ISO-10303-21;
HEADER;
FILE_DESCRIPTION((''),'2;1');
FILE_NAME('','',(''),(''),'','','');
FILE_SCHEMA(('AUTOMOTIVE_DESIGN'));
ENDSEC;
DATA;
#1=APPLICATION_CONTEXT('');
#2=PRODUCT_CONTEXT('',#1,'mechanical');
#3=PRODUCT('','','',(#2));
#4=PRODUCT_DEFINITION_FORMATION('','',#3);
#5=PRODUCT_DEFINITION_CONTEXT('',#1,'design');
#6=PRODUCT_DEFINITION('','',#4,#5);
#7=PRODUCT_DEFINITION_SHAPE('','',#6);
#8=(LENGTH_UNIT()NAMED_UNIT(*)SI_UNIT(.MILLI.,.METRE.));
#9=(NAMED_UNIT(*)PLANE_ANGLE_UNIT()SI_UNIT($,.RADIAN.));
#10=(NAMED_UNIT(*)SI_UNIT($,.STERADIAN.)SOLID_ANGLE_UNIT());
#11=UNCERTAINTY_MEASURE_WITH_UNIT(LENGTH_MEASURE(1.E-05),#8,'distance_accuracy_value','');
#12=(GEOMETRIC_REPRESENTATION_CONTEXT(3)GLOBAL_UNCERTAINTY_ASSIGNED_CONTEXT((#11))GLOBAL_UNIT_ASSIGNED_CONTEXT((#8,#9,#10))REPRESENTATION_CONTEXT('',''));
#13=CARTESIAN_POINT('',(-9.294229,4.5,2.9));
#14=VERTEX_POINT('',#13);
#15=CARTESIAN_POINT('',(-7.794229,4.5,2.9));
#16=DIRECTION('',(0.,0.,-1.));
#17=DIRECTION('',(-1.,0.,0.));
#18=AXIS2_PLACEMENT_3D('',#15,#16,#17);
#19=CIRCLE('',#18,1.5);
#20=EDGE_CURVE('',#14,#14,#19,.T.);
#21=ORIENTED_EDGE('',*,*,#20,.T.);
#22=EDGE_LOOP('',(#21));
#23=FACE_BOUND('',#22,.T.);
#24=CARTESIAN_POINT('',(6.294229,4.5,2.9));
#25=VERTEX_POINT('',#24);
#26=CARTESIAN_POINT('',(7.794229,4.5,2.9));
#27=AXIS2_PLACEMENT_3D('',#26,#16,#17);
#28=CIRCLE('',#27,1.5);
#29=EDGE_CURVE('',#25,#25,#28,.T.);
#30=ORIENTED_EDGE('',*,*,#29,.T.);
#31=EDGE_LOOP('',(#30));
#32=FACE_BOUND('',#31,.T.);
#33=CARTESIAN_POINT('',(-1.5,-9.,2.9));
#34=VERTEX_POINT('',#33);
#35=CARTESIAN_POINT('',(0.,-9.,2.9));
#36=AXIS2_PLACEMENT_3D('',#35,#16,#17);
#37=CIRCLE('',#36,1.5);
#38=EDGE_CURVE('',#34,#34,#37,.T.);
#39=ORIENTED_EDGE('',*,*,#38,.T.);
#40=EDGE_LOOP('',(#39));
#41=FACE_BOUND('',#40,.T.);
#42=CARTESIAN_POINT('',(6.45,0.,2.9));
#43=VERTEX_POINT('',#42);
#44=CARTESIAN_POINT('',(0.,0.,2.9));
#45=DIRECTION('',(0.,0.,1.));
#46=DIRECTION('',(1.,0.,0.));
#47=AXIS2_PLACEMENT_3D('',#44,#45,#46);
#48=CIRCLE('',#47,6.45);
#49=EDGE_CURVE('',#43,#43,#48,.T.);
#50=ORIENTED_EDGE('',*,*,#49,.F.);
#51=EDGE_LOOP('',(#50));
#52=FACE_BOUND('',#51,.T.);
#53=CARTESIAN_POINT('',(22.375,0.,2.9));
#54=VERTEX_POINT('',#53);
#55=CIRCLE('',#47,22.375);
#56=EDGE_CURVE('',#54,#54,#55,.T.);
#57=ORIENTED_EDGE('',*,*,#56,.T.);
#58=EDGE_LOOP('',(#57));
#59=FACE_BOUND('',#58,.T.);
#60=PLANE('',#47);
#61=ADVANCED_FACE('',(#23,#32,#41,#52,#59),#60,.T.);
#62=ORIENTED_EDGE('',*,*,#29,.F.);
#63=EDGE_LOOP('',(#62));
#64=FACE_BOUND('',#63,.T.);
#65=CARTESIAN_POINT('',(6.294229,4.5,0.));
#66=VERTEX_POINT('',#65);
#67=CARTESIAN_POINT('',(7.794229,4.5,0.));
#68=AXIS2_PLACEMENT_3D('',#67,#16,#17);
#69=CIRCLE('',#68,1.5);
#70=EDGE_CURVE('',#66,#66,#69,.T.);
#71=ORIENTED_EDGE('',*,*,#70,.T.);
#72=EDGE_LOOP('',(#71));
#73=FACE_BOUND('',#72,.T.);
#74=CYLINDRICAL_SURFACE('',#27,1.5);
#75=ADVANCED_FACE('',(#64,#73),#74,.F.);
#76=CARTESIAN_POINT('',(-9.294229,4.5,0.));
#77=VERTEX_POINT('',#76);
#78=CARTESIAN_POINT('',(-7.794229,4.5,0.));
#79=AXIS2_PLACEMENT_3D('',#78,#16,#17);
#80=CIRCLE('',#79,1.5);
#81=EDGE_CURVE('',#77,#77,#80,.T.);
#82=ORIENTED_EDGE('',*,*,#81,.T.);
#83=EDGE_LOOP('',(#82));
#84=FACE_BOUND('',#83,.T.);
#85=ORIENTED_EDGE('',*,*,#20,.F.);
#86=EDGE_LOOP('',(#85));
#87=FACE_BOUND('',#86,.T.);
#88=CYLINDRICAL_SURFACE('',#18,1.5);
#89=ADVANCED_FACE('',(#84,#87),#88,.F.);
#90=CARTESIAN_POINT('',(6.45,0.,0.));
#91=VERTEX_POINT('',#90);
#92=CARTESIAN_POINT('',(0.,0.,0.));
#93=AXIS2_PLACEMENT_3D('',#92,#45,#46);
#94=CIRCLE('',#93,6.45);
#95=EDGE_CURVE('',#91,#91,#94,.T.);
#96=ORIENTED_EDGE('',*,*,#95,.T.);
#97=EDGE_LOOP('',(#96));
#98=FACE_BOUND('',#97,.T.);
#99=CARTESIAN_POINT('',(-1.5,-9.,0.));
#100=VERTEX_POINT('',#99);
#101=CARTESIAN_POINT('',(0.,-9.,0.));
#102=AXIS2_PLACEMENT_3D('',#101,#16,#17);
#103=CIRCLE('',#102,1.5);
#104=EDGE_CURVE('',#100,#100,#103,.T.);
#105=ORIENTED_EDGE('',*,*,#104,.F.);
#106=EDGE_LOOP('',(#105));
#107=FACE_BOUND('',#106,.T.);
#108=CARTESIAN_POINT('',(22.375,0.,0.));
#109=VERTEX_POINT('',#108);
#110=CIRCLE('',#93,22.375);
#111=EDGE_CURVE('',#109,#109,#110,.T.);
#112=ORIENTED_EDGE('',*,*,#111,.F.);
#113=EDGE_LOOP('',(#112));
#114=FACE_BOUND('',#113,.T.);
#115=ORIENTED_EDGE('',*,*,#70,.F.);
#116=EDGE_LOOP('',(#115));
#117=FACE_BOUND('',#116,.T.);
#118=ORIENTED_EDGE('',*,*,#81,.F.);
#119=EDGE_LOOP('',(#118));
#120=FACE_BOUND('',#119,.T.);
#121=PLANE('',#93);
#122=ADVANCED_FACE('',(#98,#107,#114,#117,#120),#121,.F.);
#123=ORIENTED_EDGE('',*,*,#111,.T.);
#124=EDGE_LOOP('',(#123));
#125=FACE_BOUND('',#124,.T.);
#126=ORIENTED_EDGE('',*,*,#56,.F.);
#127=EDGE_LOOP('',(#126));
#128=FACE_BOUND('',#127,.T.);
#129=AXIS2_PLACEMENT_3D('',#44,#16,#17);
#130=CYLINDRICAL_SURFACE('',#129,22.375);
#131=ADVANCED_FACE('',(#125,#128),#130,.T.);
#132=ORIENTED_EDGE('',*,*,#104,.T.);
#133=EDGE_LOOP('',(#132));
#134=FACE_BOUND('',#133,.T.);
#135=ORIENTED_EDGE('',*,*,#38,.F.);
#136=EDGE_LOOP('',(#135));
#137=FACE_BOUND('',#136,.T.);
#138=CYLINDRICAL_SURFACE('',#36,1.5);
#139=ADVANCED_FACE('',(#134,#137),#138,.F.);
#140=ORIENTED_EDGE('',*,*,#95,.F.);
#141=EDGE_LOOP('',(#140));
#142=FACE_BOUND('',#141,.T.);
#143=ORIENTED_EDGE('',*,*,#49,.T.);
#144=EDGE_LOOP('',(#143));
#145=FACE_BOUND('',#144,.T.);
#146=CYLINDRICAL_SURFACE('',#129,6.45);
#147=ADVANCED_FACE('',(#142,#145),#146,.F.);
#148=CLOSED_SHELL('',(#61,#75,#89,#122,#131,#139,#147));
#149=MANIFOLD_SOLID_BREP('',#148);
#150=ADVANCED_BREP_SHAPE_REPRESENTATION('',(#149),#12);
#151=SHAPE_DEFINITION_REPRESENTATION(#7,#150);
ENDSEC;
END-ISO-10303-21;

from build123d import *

# Parameters (mm, degrees)
SKETCH1_R           = 22.375
SKETCH1_R_2         = 6.45
BOSS_EXTRUDE1_DEPTH = 2.9
SKETCH2_R           = 1.5
CUT_EXTRUDE1_DEPTH  = 32.775639254


with BuildPart() as part:
    # Sketch1 → Boss-Extrude1 (new body)
    with BuildSketch(Plane.XY):
        Circle(SKETCH1_R)
        Circle(SKETCH1_R_2, mode=Mode.SUBTRACT)
    extrude(amount=BOSS_EXTRUDE1_DEPTH)

    # Sketch2 → Cut-Extrude1 (cut, through all)
    with BuildSketch(Plane(origin=(0, 0, 0), x_dir=(-1, 0, 0), z_dir=(0, 0, -1))):
        with Locations((7.794228634, 4.5)):
            Circle(SKETCH2_R)
        with Locations((-7.794228634, 4.5)):
            Circle(SKETCH2_R)
        with Locations((0, -9)):
            Circle(SKETCH2_R)
    extrude(amount=-CUT_EXTRUDE1_DEPTH, mode=Mode.SUBTRACT)


solid = part.part
